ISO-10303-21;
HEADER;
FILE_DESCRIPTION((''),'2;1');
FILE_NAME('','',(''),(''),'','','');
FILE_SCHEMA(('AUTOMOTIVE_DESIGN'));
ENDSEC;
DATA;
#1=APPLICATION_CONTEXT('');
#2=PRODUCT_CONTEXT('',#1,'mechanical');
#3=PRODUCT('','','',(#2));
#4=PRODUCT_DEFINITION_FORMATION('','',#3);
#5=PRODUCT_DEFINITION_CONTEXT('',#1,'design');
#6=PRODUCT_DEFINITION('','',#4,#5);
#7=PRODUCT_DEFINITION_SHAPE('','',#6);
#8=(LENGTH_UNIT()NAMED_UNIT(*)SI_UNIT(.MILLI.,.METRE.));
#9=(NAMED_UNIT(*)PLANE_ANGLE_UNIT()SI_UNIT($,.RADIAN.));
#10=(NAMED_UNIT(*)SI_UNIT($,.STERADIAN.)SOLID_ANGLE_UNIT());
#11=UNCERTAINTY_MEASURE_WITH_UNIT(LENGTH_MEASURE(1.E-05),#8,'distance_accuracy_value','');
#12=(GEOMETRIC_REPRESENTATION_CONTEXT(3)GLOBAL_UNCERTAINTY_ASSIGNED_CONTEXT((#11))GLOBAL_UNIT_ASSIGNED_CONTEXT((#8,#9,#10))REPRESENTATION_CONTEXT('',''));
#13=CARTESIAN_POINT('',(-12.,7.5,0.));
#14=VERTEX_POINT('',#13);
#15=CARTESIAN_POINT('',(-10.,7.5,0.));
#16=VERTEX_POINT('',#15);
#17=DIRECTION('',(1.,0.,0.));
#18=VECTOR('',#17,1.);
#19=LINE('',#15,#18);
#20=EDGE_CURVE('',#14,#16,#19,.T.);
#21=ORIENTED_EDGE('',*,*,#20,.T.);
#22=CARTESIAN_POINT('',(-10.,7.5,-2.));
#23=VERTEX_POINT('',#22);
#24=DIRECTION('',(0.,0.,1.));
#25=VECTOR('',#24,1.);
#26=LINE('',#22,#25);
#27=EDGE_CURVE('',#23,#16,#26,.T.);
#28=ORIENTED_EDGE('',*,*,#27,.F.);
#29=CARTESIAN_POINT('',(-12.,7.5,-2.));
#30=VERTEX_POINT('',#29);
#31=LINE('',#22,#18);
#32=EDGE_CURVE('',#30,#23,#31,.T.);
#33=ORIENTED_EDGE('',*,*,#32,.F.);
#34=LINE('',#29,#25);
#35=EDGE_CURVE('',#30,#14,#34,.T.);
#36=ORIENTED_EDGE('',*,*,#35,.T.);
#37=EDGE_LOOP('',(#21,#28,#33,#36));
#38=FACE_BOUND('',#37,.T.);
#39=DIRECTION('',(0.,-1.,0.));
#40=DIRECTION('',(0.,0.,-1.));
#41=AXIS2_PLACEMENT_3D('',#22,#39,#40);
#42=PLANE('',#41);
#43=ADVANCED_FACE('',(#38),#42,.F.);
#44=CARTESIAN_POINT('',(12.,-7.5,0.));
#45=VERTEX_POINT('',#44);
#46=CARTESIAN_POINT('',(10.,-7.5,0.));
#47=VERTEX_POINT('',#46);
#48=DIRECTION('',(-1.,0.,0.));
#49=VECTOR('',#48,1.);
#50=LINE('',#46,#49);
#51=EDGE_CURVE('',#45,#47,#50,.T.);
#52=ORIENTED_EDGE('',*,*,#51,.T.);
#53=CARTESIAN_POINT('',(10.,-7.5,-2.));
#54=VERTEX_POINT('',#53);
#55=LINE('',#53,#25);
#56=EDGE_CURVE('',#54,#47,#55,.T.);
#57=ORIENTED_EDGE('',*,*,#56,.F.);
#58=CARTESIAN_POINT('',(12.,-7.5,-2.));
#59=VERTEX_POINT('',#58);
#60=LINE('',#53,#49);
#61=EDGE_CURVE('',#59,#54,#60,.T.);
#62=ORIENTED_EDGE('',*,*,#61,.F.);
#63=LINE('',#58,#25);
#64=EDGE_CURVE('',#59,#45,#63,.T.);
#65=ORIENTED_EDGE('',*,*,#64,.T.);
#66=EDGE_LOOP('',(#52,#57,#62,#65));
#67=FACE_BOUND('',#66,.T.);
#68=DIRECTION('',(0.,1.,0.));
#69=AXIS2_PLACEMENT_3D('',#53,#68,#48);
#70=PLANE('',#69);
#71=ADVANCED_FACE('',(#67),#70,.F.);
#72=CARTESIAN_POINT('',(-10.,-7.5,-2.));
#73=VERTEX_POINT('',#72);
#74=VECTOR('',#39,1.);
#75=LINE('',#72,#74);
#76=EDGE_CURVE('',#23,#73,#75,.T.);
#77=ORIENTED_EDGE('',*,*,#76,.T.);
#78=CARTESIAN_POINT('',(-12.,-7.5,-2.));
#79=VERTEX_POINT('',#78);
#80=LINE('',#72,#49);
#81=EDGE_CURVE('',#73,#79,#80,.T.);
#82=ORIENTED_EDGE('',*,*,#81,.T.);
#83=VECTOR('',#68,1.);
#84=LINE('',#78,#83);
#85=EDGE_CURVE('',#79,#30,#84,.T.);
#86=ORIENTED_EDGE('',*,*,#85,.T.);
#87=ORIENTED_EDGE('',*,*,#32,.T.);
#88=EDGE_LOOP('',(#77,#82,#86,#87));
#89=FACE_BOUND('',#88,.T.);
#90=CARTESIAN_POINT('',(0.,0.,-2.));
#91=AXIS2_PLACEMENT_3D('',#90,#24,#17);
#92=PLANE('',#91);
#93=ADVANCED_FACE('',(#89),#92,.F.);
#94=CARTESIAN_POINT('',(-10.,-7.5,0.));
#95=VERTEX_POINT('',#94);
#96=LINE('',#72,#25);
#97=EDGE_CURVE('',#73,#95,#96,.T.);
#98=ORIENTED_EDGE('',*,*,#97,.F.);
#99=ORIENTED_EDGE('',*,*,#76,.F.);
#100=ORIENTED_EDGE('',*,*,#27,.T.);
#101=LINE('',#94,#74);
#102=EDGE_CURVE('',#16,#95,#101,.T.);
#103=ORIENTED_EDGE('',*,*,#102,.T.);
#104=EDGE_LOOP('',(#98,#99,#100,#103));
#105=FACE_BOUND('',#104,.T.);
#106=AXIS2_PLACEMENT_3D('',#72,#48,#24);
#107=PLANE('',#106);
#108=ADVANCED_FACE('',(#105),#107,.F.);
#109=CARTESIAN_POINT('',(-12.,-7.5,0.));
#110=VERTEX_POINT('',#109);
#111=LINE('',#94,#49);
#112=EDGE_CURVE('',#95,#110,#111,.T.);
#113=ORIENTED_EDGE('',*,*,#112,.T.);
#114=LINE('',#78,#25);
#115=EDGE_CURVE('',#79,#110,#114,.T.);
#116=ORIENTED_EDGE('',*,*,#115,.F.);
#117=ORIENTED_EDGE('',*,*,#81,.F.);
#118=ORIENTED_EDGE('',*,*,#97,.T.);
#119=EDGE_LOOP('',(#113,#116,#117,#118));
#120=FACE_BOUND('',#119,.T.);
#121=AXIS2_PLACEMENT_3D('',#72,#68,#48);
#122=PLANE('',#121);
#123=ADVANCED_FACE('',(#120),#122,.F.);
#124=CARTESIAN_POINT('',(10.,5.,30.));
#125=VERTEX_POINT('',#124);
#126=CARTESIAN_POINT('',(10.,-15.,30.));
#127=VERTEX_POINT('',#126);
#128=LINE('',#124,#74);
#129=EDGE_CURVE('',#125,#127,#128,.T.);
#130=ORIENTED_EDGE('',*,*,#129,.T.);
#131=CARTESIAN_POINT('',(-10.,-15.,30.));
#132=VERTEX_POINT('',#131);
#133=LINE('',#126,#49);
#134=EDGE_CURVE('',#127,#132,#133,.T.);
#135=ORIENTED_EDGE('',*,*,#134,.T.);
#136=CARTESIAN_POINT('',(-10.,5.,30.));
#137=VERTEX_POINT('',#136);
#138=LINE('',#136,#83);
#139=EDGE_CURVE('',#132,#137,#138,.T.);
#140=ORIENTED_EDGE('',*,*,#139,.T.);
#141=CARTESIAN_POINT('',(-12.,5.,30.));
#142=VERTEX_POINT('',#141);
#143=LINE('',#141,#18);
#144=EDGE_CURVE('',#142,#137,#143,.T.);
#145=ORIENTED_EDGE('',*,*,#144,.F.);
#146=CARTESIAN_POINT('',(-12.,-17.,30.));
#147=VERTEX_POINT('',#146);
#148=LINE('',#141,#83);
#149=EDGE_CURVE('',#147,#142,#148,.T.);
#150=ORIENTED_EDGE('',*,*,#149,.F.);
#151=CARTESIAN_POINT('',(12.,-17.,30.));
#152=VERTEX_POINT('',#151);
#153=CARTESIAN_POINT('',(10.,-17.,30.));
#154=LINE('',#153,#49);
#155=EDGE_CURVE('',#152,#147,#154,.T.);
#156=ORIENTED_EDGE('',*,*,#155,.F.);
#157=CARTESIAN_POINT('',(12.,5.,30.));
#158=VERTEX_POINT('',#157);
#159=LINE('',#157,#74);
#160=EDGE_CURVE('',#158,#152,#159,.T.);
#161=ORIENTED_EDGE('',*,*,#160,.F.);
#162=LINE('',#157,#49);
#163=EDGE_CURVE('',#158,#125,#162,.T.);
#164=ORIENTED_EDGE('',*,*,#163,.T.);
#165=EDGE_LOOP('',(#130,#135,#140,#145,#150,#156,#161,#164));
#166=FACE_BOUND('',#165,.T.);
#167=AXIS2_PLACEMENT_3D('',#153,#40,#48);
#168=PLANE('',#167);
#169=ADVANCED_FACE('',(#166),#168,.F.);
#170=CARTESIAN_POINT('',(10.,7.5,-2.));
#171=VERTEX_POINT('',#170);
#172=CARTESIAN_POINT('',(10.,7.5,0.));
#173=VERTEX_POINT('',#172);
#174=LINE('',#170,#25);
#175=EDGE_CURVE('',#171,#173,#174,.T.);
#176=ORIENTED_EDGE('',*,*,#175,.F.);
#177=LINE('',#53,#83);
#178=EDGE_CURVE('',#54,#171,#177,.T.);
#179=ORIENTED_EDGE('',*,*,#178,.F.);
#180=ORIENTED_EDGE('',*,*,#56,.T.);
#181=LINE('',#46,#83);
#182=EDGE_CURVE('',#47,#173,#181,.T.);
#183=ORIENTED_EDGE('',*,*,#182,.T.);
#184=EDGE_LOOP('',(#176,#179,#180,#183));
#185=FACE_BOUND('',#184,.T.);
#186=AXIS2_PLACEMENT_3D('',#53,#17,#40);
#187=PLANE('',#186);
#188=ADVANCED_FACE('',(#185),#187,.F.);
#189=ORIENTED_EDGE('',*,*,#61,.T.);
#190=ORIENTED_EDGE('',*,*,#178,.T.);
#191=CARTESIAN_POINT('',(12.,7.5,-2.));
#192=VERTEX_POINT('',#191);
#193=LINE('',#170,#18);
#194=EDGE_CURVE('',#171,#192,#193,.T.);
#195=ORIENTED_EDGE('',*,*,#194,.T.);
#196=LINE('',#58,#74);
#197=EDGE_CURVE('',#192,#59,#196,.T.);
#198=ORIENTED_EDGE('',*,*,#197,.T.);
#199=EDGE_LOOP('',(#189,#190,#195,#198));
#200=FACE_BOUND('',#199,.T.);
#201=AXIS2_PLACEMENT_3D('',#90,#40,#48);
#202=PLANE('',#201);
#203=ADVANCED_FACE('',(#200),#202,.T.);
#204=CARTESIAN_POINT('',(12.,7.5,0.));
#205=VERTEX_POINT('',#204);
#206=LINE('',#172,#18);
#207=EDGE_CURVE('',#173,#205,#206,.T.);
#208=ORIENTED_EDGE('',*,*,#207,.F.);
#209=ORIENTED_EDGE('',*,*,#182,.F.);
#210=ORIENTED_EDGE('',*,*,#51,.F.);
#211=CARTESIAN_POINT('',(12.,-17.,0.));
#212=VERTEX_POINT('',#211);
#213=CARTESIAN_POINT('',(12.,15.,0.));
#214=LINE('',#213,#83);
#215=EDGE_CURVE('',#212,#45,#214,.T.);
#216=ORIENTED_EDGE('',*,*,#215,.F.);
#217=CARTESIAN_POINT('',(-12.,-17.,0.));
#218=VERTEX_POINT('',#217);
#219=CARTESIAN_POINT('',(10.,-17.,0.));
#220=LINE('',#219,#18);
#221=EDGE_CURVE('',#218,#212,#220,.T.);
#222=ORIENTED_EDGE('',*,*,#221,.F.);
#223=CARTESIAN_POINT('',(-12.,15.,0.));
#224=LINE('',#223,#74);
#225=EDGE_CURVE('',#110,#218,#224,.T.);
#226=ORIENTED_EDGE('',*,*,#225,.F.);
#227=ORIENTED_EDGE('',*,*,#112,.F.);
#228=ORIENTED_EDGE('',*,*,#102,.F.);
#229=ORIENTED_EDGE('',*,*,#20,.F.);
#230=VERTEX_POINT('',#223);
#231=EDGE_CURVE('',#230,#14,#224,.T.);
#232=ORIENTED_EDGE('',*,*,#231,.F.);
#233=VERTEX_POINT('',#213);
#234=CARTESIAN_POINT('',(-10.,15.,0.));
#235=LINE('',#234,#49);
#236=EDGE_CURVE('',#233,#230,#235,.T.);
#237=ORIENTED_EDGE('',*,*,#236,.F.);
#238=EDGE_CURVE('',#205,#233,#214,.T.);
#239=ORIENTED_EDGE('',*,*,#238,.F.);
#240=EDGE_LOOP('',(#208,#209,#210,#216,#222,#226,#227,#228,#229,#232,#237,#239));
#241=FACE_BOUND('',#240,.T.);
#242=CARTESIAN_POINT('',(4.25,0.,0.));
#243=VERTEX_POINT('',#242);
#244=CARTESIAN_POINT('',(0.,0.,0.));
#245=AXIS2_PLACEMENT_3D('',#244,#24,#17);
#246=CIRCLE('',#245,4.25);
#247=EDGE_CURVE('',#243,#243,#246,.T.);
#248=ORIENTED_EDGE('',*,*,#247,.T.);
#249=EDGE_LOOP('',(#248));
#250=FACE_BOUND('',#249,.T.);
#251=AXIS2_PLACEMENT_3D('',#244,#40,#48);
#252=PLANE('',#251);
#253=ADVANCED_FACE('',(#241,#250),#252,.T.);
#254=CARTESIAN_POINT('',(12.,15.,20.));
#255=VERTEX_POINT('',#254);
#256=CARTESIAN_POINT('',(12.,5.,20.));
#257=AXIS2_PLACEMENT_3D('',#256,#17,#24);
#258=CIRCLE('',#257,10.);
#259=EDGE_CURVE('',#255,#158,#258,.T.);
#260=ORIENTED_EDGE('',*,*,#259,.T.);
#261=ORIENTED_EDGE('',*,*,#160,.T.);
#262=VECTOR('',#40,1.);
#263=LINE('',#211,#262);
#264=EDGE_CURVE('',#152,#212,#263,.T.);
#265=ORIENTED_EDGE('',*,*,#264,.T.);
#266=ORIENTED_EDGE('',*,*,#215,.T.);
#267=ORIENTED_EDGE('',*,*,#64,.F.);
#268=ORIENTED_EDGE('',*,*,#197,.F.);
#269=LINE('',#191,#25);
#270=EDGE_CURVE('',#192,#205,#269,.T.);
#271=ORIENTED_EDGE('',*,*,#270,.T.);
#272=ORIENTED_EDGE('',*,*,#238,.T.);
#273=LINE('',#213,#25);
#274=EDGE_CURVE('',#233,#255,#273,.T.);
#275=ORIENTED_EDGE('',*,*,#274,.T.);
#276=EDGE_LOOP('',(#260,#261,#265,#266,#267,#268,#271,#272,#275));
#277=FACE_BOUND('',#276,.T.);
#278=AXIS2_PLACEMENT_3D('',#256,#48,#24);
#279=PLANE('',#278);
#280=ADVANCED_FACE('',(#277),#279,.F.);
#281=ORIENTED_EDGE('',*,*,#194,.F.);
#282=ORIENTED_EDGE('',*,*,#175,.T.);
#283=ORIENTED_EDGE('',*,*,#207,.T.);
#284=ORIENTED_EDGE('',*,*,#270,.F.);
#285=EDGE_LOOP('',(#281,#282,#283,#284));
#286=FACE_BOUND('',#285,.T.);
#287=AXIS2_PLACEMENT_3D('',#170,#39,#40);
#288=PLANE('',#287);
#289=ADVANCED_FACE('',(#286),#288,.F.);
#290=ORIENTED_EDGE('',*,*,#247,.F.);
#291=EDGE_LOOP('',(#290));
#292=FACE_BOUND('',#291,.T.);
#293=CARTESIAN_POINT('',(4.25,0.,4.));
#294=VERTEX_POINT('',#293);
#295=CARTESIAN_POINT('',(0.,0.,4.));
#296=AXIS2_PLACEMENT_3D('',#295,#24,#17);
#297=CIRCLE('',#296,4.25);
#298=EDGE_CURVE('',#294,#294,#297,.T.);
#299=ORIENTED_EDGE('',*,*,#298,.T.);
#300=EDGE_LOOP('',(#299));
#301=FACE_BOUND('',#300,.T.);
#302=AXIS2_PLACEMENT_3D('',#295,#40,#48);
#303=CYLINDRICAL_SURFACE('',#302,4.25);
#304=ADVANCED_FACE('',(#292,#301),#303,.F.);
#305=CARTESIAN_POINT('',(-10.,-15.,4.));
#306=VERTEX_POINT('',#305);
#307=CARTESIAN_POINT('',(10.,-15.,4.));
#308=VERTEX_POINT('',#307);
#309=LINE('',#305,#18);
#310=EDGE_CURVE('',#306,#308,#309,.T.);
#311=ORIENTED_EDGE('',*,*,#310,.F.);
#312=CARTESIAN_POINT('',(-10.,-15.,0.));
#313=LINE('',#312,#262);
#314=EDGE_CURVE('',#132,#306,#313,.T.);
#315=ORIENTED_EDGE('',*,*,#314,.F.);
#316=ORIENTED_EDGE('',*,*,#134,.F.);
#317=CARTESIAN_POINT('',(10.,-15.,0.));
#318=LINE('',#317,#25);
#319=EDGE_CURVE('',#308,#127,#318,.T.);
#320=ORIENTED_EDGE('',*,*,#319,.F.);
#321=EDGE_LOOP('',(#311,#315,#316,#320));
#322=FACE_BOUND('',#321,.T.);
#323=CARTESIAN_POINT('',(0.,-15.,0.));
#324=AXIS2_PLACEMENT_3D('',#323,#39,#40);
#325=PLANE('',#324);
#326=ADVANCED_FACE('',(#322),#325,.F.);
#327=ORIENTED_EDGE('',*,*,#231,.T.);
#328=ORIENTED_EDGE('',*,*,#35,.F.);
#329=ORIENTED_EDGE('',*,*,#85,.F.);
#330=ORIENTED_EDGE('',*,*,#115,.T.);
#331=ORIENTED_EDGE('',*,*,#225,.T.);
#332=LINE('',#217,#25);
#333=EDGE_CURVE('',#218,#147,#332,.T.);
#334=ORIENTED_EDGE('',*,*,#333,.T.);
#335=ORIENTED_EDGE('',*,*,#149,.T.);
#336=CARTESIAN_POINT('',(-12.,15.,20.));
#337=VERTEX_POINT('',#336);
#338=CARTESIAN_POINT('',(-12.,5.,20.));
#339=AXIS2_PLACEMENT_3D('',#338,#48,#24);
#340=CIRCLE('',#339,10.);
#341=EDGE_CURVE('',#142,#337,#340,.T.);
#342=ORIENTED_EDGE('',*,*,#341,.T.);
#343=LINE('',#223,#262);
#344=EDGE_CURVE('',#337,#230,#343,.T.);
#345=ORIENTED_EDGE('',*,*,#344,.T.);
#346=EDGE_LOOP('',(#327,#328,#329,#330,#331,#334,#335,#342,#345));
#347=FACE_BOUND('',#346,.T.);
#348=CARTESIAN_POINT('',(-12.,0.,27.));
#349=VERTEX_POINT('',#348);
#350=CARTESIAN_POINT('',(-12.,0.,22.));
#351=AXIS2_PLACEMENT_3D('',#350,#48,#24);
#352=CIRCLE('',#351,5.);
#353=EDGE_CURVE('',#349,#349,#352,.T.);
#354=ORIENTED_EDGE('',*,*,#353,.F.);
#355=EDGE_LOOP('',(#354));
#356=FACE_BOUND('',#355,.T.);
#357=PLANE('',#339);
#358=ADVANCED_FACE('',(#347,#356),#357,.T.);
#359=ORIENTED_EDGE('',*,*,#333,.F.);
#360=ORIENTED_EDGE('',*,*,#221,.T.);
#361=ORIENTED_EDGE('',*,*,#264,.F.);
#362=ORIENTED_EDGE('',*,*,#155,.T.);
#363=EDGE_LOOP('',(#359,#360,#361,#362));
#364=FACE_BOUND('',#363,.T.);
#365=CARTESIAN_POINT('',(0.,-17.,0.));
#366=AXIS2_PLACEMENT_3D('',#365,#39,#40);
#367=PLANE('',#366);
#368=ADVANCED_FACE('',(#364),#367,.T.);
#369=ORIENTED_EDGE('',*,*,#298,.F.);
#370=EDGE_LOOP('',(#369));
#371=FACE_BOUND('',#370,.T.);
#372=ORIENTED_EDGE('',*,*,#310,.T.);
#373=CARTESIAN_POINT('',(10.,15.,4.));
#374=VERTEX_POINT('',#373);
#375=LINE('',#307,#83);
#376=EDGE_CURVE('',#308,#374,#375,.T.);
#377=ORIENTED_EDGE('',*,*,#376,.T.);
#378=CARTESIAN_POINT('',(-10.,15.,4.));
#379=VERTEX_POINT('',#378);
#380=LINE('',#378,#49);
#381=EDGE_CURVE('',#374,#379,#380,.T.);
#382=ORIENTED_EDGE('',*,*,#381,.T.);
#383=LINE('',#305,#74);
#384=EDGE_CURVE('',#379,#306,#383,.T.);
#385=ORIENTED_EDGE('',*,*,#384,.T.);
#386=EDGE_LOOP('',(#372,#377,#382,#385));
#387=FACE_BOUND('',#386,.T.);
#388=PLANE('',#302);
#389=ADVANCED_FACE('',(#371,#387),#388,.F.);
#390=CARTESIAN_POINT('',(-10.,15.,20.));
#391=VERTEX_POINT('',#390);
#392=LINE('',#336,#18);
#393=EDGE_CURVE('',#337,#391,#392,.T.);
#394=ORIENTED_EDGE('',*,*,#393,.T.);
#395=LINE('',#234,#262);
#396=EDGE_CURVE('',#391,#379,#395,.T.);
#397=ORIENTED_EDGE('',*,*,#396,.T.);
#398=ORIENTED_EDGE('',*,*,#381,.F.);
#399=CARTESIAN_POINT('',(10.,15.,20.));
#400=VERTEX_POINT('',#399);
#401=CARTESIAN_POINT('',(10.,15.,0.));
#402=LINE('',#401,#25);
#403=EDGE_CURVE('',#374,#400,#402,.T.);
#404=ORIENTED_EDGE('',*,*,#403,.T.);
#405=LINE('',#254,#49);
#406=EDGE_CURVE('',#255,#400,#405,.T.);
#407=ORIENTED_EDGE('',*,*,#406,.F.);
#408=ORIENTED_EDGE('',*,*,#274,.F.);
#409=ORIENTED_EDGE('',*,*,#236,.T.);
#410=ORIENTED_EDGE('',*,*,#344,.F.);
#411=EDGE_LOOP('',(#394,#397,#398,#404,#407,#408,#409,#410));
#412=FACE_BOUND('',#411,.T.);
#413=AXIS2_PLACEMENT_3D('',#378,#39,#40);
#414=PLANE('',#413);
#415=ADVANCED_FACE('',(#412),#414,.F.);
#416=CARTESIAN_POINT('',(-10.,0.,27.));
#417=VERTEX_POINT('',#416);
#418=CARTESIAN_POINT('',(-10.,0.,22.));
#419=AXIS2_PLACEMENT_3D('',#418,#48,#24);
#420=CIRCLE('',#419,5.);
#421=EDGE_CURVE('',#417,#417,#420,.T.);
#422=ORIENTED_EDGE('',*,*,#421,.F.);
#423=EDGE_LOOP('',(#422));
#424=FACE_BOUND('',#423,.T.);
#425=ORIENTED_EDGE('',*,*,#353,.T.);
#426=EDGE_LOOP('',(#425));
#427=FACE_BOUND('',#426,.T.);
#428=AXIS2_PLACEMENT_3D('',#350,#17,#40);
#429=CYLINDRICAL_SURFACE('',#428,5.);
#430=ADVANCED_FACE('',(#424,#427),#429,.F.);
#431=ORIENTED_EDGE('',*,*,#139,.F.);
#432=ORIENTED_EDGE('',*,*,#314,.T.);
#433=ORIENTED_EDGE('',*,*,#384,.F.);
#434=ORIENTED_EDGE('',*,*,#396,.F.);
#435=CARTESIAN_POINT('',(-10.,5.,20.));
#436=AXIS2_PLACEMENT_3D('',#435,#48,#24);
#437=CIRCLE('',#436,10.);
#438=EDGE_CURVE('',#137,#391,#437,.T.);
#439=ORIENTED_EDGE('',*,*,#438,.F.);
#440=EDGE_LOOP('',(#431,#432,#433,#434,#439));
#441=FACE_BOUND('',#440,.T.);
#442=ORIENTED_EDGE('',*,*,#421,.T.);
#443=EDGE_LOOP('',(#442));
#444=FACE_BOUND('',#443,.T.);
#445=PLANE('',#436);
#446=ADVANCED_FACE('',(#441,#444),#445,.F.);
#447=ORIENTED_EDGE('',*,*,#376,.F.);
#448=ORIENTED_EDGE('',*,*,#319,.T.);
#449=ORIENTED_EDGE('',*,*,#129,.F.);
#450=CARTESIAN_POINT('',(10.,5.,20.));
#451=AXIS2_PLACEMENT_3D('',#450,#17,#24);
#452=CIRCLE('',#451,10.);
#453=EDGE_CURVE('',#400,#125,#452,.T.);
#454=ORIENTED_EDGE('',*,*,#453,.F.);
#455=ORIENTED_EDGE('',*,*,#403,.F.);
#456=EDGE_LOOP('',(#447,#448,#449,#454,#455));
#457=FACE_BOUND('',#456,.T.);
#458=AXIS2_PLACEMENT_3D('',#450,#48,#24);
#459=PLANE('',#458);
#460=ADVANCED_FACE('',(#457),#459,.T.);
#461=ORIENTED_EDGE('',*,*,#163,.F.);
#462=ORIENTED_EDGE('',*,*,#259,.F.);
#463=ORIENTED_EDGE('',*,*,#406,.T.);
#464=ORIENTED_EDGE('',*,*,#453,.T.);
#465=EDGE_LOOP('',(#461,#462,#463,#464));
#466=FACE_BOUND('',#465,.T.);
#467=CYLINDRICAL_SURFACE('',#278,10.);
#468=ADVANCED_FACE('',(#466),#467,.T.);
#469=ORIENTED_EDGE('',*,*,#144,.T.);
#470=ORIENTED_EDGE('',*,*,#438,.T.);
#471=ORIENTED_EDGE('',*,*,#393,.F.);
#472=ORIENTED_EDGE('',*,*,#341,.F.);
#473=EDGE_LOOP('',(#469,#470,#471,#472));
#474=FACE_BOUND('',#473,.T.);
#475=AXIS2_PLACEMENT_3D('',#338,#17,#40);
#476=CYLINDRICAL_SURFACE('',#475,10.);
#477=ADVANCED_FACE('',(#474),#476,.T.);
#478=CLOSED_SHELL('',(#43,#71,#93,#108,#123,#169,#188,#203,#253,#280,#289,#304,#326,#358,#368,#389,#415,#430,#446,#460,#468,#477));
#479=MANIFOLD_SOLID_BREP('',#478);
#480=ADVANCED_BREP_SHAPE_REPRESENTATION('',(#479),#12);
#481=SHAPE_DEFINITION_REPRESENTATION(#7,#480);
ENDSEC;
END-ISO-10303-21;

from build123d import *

# Parameters (mm, degrees)
SKETCH1_W           = 20
SKETCH1_H           = 30
SKETCH1_R           = 4.25
BOSS_EXTRUDE1_DEPTH = 4
SKETCH2_W           = 20
SKETCH2_H           = 30
BOSS_EXTRUDE2_DEPTH = 2
SKETCH4_R           = 5
BOSS_EXTRUDE3_DEPTH = 2
BOSS_EXTRUDE4_START = 2
BOSS_EXTRUDE4_DEPTH = 2
SKETCH6_W           = 2
SKETCH6_H           = 15
BOSS_EXTRUDE5_DEPTH = 2


with BuildPart() as part:
    # Sketch1 → Boss-Extrude1 (new body)
    with BuildSketch(Plane.XY):
        Rectangle(SKETCH1_W, SKETCH1_H)
        Circle(SKETCH1_R, mode=Mode.SUBTRACT)
    extrude(amount=BOSS_EXTRUDE1_DEPTH)

    # Sketch2 → Boss-Extrude2 (add)
    with BuildSketch(Plane(origin=(0, -15, 0), x_dir=(-1, 0, 0), z_dir=(0, -1, 0))):
        with Locations((0, -15)):
            Rectangle(SKETCH2_W, SKETCH2_H)
    extrude(amount=BOSS_EXTRUDE2_DEPTH)

    # Sketch4 → Boss-Extrude3 (add)
    with BuildSketch(Plane.ZY.offset(10)):
        with BuildLine():
            Line((0, 15), (20, 15))
            ThreePointArc((20, 15), (27.071067812, 12.071067812), (30, 5))
            Line((30, 5), (30, -17))
            Line((30, -17), (0, -17))
            Line((0, -17), (0, 15))
        make_face()
        with Locations((22, 0)):
            Circle(SKETCH4_R, mode=Mode.SUBTRACT)
    extrude(amount=BOSS_EXTRUDE3_DEPTH)

    # Sketch5 → Boss-Extrude4 (add)
    with BuildSketch(Plane(origin=(10, 0, 0), x_dir=(0, 0, -1), z_dir=(1, 0, 0)).offset(BOSS_EXTRUDE4_START)):
        with BuildLine():
            Line((0, 15), (-20, 15))
            ThreePointArc((-20, 15), (-27.071067812, 12.071067812), (-30, 5))
            Line((-30, 5), (-30, -17))
            Line((-30, -17), (0, -17))
            Line((0, -17), (0, 15))
        make_face()
    extrude(amount=-BOSS_EXTRUDE4_DEPTH)

    # Sketch6 → Boss-Extrude5 (add)
    with BuildSketch(Plane(origin=(0, 0, 0), x_dir=(-1, 0, 0), z_dir=(0, 0, -1))):
        with Locations((-11, 0)):
            Rectangle(SKETCH6_W, SKETCH6_H)
        with Locations((11, 0)):
            Rectangle(SKETCH6_W, SKETCH6_H)
    extrude(amount=BOSS_EXTRUDE5_DEPTH)


solid = part.part
